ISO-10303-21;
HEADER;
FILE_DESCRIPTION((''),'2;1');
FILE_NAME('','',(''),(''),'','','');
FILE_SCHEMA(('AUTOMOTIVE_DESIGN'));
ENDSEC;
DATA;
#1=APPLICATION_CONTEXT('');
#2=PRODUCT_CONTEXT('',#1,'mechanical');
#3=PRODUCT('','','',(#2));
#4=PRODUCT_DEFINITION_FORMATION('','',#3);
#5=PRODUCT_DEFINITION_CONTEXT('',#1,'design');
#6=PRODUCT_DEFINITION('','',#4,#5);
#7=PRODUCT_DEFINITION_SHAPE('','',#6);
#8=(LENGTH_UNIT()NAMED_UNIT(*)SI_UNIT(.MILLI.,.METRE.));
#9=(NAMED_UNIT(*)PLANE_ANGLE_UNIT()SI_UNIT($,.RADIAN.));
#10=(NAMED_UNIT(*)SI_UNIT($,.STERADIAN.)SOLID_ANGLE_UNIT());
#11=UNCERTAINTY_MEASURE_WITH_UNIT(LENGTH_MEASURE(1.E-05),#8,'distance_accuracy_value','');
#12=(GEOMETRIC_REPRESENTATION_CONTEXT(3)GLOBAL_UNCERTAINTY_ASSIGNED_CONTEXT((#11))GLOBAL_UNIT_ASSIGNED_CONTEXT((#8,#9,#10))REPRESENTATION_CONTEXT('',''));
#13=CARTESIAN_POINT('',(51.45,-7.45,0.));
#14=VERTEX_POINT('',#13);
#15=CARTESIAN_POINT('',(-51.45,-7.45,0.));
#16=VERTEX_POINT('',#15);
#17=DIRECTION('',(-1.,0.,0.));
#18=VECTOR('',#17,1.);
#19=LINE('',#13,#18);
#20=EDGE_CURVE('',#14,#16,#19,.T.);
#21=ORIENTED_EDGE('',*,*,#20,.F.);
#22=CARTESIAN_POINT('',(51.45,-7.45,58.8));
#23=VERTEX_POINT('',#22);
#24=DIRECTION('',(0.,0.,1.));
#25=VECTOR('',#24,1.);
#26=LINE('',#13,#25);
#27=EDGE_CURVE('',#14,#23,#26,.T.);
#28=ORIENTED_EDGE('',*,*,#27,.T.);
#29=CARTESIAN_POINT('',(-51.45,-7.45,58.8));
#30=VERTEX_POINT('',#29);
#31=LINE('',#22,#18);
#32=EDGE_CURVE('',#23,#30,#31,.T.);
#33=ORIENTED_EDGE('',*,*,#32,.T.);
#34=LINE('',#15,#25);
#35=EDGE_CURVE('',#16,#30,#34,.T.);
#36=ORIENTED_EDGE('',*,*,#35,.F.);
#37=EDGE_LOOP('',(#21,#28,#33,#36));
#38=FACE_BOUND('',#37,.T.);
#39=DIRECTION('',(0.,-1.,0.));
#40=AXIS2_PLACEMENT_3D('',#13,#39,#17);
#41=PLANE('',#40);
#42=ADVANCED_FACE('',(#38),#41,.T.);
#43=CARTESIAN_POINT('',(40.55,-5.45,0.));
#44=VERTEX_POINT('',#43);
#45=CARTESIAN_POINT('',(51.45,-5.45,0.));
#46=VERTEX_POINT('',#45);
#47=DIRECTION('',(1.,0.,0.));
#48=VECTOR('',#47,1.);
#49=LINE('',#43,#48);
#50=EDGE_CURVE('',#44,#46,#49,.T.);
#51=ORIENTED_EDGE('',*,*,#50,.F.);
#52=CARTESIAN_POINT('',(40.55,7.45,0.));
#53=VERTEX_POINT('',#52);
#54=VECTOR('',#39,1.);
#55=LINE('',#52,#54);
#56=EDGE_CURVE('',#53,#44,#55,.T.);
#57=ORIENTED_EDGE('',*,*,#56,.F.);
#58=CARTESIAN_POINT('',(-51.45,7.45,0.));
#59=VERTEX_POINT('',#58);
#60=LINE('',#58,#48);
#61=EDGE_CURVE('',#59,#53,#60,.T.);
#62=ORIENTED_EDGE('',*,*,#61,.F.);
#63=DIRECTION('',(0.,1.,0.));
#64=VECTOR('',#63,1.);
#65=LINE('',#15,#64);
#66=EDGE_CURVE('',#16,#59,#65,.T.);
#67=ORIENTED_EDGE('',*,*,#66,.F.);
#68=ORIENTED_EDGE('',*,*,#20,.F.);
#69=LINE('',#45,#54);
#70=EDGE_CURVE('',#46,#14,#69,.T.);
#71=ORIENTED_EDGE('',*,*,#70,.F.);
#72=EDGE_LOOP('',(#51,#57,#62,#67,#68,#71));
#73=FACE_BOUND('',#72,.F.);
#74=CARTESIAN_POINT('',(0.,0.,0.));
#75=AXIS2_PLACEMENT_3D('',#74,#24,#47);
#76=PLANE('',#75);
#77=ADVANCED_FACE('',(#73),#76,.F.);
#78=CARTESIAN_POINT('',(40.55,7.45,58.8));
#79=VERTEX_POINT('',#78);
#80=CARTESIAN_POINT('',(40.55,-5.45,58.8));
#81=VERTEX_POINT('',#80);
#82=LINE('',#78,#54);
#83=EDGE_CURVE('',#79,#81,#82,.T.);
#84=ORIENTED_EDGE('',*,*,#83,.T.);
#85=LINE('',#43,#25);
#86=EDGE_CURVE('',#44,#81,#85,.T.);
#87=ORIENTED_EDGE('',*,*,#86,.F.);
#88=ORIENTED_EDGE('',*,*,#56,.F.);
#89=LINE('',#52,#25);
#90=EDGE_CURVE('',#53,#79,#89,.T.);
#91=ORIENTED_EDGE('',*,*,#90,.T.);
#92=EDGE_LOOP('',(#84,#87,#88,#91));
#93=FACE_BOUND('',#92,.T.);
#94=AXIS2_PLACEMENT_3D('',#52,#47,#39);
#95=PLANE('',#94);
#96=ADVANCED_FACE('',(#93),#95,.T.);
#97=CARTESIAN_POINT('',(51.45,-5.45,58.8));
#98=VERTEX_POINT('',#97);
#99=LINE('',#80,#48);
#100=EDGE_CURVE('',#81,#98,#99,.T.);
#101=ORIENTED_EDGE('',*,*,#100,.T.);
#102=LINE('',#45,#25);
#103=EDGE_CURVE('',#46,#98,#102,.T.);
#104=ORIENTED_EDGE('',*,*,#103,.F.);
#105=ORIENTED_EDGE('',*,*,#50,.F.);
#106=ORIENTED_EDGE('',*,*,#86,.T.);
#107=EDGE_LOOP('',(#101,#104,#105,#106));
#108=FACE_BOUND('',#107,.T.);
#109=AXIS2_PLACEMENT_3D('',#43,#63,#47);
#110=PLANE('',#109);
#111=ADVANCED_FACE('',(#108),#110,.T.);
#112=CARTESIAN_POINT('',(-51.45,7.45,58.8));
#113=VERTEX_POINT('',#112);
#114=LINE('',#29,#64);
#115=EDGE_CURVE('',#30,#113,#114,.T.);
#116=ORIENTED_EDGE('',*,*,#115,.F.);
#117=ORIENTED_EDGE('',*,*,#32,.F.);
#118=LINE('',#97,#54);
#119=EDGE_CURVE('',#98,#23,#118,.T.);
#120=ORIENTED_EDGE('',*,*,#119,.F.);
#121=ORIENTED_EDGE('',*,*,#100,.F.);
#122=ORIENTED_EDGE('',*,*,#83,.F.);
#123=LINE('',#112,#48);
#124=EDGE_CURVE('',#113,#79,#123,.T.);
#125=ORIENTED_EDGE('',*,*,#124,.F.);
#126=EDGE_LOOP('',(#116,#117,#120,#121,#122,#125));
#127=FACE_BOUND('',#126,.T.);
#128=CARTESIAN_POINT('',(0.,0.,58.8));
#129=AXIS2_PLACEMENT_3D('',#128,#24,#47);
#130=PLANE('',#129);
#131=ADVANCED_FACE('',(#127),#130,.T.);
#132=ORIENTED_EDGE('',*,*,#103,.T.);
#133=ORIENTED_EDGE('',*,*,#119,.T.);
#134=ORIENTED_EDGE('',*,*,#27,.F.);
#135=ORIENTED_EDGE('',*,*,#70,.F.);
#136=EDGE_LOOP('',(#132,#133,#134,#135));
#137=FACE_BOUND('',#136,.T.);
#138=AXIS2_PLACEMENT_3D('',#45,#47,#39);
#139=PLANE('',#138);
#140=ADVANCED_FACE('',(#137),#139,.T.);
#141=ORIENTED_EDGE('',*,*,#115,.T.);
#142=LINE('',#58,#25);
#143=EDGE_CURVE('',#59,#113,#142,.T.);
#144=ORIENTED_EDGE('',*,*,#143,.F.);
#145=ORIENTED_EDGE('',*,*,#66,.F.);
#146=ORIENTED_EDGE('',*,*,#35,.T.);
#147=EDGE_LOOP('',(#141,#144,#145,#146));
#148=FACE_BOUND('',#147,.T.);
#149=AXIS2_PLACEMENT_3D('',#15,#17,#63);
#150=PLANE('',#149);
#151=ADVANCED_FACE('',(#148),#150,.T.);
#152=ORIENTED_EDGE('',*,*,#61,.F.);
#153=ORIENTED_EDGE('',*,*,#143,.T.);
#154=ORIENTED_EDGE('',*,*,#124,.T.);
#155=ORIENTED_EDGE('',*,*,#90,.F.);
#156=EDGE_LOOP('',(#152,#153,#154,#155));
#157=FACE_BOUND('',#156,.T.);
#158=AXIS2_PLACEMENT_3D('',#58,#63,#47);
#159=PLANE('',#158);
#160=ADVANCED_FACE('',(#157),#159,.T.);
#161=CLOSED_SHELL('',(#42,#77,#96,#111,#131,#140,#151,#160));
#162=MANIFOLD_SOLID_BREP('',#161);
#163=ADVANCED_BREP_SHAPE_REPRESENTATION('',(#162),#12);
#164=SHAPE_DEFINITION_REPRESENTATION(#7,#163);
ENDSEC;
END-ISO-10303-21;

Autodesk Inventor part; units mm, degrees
ref_plane "YZ Plane" through (0, 0, 0) normal (1, 0, 0) x (0, 1, 0)
ref_plane "XZ Plane" through (0, 0, 0) normal (0, 1, 0) x (-1, 0, 0)
ref_plane "XY Plane" through (0, 0, 0) normal (0, 0, 1) x (1, 0, 0)
sketch "Sketch1" plane through (0, 0, 0) normal (0, 0, 1) x (1, 0, 0)
  line L0 (-51.45, 7.45) -> (40.55, 7.45)
  line L1 (51.45, -5.45) -> (51.45, -7.45)
  line L2 (51.45, -7.45) -> (-51.45, -7.45)
  line L3 (-51.45, -7.45) -> (-51.45, 7.45)
  line L4 (-51.45, 7.45) -> (51.45, -7.45) construction
  line L5 (51.45, 7.45) -> (-51.45, -7.45) construction
  line L6 (40.55, 7.45) -> (40.55, -5.45)
  line L7 (40.55, -5.45) -> (51.45, -5.45)
  point P0 (0, 0)
  dimension "d0" = 102.9
  dimension "d1" = 14.9
  dimension "d2" = 12.9
  dimension "d3" = 10.9
extrude "Extrusion1" add sketch "Sketch1" along normal blind 58.8
sketch "Sketch2" plane through (40.55, -5.45, 0) normal (1, 0, 0) x (0, 0, -1)
  line L0 (0, 0) -> (-58.8, 0) projected
  line L1 (-58.8, 0) -> (-2, 0)
  line L2 (-2, 0) -> (-2, 2.25)
  line L3 (-2, 2.25) -> (-56.8, 2.25)
  line L4 (-58.8, 2.25) -> (-58.8, 0)
  line L5 (0, 12.9) -> (0, 0) projected
  line L6 (-56.8, 2.25) -> (-56.8, 0)
  line L7 (-56.8, 4.8) -> (-2, 4.8)
  line L8 (-2, 4.8) -> (-2, 2.55)
  line L9 (-2, 2.55) -> (-56.8, 2.55)
  line L10 (-58.8, 4.8) -> (-2, 2.55) construction
  line L11 (-2, 4.8) -> (-58.8, 2.55) construction
  line L12 (-56.8, 4.8) -> (-56.8, 2.6292)
  line L13 (-56.8, 5.1) -> (-2, 5.1)
  line L14 (-2, 5.1) -> (-2, 7.35)
  line L15 (-2, 7.35) -> (-56.8, 7.35)
  line L16 (-56.8, 7.35) -> (-56.8, 5.1)
  line L17 (-56.8, 5.1) -> (-2, 7.35) construction
  line L18 (-2, 5.1) -> (-56.8, 7.35) construction
  line L19 (-58.8, 0) -> (-58.8, 12.9) projected
  line L20 (-56.8, 10.9) -> (-2, 10.9)
  line L21 (-2, 10.9) -> (-2, 8.7469)
  line L22 (-2, 8.7469) -> (-56.8, 8.7469)
  line L23 (-56.8, 8.7469) -> (-56.8, 10.9)
  line L24 (-56.8, 10.9) -> (-2, 8.7469) construction
  line L25 (-2, 10.9) -> (-56.8, 8.7469) construction
  line L26 (0, 12.9) -> (-58.8, 12.9) projected
  point P0 (0, 5.45)
  point P1 (-30.4, 3.675)
  point P2 (-29.4, 6.225)
  point P3 (-29.4, 9.8235)
  dimension "d6" = 56.8
  dimension "d7" = 2.25
  dimension "d8" = 2
  dimension "d9" = 2.25
  dimension "d10" = 2
  dimension "d11" = 0.3
  dimension "d12" = 2.25
  dimension "d13" = 2
  dimension "d14" = 0.3
  dimension "d15" = 2.25
  dimension "d16" = 2
  dimension "d17" = 2
  dimension "d18" = 2
  dimension "d19" = 2
  dimension "d20" = 2.25
properties part number "cardBox_attempt1"
